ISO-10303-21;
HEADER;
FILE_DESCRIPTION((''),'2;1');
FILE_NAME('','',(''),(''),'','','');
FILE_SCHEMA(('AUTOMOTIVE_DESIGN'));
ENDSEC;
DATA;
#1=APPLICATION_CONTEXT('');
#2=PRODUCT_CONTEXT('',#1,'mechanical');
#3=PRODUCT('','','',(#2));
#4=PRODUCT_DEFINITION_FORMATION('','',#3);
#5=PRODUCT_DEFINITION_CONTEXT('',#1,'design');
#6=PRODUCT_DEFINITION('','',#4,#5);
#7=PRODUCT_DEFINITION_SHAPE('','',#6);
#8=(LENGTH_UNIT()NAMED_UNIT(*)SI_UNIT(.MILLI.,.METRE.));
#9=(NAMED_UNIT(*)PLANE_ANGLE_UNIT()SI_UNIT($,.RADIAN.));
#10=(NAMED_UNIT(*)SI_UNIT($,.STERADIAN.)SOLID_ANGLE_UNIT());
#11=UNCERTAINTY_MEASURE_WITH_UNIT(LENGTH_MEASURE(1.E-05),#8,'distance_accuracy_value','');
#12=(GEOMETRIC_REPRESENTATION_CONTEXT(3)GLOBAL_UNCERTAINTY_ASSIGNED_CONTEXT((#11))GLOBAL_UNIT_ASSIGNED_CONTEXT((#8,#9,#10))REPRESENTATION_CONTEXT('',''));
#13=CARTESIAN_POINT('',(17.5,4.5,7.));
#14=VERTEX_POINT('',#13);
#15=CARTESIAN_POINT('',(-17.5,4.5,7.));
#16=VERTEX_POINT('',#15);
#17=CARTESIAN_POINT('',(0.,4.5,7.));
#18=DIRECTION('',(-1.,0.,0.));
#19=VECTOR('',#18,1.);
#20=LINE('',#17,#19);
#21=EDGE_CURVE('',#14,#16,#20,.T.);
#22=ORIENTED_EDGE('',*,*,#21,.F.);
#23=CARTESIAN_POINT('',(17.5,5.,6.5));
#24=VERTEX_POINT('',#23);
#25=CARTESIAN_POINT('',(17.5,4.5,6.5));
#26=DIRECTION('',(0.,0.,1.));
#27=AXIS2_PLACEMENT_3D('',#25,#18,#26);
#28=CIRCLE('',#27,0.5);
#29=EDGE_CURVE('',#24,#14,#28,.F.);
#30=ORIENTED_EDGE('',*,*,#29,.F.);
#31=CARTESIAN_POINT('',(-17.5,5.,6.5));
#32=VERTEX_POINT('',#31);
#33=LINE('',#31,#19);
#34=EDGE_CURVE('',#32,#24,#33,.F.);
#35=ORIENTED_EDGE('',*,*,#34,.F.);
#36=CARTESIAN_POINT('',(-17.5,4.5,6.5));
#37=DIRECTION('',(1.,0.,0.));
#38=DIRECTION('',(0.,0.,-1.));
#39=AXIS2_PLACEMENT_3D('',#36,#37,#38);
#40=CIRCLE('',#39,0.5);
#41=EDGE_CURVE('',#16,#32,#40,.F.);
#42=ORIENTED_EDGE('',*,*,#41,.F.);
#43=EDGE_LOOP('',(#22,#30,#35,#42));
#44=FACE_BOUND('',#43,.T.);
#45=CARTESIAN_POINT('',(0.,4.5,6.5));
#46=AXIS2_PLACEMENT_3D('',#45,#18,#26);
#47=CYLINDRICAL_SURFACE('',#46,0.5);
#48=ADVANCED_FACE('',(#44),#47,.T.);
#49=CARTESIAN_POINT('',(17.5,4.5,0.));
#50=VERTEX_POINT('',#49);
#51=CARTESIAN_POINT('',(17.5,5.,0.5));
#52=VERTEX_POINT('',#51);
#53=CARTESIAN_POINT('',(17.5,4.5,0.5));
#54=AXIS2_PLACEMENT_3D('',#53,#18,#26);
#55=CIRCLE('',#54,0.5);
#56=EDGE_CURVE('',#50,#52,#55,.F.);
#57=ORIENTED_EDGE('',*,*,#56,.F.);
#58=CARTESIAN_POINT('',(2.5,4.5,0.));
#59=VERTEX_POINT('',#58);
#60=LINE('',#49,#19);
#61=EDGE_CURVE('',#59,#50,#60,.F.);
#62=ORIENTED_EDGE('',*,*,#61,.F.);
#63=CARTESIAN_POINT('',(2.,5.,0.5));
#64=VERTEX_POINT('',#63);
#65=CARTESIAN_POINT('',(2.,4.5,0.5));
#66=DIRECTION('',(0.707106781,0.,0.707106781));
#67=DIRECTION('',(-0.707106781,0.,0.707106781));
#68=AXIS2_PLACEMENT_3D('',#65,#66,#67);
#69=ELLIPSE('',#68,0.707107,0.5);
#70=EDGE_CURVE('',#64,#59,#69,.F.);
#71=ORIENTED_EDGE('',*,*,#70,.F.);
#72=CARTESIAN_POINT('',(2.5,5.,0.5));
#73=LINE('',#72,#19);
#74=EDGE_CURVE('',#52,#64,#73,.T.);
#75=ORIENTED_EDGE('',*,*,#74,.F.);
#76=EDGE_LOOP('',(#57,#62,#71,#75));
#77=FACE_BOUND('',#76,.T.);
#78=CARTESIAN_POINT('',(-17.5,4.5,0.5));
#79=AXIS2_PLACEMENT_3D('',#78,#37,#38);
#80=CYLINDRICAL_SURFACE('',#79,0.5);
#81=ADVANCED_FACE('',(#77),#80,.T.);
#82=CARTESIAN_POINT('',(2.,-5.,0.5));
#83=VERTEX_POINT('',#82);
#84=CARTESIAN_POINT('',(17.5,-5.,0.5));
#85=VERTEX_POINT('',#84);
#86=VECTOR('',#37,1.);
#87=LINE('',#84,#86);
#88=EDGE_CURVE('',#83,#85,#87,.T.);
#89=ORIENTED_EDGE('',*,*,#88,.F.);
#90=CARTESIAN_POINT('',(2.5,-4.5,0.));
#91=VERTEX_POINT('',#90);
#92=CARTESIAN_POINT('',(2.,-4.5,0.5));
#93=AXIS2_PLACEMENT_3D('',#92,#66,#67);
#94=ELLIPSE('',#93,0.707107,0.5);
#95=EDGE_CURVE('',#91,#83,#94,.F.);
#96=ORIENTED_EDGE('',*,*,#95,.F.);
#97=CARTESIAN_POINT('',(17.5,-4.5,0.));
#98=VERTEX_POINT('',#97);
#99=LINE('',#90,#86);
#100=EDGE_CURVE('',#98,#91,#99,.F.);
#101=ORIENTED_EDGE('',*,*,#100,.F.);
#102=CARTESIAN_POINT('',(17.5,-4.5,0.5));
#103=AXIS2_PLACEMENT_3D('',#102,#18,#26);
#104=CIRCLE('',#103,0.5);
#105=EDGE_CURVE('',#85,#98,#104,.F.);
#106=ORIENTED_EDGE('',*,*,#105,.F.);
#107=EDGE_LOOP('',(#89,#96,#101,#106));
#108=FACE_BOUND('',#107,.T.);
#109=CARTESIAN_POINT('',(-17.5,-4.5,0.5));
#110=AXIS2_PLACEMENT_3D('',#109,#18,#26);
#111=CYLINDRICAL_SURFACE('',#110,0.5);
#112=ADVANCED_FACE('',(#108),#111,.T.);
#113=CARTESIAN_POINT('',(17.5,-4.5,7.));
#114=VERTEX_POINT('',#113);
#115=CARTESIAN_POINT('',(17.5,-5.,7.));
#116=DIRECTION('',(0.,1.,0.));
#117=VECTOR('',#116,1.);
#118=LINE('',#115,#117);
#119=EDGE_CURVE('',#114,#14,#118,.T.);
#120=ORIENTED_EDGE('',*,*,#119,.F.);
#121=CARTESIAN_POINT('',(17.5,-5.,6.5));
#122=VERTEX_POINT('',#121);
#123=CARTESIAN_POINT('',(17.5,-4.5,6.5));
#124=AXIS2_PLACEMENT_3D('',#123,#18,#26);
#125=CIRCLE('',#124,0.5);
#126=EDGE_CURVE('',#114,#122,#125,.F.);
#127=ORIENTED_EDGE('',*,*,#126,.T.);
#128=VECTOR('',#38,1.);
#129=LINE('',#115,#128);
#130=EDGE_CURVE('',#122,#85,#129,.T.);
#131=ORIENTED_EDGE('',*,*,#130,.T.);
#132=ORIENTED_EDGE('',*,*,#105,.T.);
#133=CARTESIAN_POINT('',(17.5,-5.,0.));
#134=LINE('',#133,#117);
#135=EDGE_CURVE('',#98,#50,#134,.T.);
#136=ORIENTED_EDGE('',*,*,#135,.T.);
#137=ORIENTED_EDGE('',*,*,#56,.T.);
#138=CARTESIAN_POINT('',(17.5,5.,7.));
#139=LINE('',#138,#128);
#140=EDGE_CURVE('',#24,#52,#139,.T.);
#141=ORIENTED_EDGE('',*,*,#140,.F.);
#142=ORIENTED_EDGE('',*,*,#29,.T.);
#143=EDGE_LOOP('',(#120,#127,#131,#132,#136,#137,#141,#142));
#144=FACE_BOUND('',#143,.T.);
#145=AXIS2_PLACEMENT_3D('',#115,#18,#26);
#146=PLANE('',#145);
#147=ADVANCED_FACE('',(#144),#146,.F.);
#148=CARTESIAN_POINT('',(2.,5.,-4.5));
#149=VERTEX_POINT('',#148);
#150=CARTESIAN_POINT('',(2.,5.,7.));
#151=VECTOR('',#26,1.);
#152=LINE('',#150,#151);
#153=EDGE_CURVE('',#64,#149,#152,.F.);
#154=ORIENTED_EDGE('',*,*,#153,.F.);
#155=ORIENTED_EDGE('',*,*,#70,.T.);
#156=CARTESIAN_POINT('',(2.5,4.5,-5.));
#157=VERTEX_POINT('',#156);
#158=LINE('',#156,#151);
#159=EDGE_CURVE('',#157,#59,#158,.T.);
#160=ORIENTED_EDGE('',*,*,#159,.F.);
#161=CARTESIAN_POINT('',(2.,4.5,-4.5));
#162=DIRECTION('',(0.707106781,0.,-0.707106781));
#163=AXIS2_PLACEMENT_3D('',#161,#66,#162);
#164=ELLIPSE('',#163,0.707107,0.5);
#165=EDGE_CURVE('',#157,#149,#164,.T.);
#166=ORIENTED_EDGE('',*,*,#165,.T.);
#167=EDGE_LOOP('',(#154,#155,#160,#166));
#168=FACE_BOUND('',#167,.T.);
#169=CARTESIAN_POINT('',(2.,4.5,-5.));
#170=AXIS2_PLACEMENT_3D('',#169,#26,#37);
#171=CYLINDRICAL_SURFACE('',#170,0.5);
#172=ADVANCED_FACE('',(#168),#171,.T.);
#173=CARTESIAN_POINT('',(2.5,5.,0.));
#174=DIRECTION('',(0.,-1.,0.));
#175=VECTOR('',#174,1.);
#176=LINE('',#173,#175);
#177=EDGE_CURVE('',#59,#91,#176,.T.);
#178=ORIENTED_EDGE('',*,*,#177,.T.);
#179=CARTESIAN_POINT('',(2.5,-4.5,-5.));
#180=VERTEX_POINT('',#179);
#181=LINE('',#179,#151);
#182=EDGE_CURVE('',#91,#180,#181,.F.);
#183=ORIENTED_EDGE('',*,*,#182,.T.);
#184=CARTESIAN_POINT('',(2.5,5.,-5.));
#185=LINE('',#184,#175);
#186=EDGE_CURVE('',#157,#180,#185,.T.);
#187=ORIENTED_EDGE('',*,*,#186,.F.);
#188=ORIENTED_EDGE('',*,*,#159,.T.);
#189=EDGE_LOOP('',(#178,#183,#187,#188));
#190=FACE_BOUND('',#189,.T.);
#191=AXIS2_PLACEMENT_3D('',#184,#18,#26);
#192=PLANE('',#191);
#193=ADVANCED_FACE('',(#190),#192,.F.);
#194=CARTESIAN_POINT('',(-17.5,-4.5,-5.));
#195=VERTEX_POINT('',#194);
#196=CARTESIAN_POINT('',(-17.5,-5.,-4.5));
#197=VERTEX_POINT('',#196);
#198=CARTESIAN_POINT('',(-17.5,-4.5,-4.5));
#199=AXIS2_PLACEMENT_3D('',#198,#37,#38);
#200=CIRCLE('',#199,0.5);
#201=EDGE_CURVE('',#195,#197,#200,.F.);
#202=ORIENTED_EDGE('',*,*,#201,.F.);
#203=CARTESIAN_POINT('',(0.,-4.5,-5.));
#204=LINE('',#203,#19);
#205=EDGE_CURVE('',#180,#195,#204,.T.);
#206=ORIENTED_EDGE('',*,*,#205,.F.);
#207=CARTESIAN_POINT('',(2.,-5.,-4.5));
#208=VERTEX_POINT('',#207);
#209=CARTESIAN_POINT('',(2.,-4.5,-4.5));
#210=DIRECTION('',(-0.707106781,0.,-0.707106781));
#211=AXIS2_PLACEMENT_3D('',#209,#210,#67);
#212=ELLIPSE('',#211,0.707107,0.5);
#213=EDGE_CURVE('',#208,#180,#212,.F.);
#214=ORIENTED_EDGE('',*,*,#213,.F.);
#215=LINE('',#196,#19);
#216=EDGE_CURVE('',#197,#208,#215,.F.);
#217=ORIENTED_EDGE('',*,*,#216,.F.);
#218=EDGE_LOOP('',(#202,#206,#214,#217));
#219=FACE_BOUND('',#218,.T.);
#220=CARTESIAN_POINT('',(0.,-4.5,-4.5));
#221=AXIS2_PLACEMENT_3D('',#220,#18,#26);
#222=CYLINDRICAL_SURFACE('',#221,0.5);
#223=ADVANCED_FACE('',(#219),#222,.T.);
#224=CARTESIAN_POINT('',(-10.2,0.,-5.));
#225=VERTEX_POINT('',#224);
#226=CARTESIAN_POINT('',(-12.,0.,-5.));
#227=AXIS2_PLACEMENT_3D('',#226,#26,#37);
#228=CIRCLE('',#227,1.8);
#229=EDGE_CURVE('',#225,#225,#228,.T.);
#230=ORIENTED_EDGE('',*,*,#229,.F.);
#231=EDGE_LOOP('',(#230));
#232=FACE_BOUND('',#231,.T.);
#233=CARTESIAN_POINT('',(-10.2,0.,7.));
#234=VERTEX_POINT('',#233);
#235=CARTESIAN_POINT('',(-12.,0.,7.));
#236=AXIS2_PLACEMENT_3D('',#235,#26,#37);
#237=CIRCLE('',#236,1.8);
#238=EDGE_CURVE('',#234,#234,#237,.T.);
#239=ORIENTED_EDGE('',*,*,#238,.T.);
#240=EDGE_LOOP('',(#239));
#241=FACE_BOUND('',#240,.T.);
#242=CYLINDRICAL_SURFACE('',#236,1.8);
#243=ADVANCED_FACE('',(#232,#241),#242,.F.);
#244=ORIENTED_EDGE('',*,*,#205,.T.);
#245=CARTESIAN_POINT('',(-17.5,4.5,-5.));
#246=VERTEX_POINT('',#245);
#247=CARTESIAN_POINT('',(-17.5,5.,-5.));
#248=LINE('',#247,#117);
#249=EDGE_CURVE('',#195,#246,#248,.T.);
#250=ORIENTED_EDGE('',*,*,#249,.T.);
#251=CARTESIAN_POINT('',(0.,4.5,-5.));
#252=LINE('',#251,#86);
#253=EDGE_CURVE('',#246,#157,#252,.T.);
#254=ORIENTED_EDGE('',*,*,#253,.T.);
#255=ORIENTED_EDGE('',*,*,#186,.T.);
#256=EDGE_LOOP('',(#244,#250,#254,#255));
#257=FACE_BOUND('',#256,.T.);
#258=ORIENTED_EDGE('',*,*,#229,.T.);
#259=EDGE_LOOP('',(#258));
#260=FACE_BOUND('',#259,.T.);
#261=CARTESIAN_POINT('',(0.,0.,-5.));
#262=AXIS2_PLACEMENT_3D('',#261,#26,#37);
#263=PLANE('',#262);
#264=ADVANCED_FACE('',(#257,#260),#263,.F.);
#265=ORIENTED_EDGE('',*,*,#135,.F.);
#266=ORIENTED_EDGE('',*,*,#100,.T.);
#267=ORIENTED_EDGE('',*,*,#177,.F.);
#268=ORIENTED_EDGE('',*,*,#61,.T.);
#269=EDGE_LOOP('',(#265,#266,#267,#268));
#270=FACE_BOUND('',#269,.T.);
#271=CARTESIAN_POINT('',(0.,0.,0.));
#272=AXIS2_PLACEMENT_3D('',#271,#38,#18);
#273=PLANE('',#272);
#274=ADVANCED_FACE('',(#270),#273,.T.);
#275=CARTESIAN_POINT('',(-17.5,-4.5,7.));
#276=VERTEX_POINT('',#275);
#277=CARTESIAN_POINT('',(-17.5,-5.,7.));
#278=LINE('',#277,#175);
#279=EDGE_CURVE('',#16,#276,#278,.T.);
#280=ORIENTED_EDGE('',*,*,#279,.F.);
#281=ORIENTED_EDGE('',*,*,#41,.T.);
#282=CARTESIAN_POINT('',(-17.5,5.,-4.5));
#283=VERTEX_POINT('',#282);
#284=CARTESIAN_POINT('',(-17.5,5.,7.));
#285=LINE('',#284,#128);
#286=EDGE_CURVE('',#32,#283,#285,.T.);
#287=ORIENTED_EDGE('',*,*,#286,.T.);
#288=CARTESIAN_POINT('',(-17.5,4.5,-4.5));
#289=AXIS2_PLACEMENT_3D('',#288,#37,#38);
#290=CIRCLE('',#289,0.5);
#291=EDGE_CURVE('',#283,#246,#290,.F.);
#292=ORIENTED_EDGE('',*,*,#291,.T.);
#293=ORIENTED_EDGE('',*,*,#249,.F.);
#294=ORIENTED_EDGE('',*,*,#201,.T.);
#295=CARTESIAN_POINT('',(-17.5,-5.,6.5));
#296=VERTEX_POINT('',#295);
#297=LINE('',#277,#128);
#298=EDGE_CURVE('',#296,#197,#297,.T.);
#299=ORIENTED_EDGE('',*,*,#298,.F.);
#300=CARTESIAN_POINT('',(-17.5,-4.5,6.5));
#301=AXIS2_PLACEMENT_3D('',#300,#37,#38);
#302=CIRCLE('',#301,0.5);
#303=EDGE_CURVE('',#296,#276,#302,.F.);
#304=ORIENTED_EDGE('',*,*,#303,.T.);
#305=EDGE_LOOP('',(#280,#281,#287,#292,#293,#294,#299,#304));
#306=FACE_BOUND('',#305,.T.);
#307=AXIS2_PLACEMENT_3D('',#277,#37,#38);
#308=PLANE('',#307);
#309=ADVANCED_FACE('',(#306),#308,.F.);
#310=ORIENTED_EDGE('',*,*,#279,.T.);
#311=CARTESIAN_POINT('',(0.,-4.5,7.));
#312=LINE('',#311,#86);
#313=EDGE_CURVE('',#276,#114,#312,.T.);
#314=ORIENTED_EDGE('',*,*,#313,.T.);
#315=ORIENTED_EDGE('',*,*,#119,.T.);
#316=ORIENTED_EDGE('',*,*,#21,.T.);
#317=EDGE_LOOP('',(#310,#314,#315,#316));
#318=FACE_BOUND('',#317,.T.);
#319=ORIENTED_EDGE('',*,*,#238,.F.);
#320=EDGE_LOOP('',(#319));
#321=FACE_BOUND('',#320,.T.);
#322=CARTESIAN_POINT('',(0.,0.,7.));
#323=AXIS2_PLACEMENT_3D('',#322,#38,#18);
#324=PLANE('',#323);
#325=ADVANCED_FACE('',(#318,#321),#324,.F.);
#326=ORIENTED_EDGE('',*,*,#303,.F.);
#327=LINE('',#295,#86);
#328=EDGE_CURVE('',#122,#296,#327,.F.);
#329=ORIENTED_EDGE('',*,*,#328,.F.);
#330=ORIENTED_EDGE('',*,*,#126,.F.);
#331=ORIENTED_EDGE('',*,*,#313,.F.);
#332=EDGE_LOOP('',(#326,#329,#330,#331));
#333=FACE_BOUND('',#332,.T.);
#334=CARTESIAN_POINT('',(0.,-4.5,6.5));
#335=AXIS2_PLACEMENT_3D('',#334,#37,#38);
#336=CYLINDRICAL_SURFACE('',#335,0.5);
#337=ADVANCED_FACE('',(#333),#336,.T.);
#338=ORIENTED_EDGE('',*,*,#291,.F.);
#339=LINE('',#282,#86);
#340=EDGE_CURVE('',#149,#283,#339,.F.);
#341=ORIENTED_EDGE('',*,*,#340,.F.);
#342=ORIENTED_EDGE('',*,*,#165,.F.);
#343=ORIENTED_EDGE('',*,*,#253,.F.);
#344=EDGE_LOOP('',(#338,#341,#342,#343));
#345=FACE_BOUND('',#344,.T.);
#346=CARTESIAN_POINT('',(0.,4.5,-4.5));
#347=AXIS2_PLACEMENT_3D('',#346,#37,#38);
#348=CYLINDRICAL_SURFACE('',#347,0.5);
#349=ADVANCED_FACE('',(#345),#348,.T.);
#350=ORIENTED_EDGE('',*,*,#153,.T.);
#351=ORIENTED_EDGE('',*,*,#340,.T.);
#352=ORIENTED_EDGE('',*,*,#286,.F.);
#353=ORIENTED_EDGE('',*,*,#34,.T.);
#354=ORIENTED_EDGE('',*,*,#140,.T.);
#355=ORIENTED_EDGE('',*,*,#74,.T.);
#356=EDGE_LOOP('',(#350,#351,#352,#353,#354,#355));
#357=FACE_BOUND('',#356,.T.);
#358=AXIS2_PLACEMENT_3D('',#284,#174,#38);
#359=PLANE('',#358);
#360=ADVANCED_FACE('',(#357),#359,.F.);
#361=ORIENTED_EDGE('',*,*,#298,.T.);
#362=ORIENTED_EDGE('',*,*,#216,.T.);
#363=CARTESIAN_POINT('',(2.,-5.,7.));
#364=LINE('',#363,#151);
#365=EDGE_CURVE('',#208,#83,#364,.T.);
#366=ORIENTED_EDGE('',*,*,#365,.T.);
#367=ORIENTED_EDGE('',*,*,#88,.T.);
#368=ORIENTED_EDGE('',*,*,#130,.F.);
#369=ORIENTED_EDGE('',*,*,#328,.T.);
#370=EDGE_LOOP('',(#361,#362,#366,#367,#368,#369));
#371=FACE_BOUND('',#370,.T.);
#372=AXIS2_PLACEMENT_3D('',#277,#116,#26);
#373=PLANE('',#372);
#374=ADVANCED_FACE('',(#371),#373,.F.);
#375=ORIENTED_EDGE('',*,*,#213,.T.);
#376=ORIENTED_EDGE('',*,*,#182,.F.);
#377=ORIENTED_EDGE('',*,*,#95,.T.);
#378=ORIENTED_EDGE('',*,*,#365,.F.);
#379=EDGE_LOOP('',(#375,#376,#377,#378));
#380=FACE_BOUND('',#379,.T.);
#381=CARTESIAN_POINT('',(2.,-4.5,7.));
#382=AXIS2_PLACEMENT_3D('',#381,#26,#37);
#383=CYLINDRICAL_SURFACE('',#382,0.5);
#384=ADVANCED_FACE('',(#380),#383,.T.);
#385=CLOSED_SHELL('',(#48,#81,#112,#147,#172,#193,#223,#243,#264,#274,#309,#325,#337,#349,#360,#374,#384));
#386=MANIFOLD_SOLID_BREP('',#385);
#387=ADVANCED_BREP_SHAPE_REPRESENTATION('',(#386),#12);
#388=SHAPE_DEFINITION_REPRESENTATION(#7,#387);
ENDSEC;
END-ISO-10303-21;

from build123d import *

# Parameters (mm, degrees)
SKETCH1_W                  = 35
SKETCH1_H                  = 10
BOSS_EXTRUDE1_DEPTH        = 7
SKETCH2_W                  = 20
SKETCH2_H                  = 10
BOSS_EXTRUDE2_DEPTH        = 5
FILLET1_R                  = 0.5
F_3_6_3_6_DIAMETER_HOLE1_D = 3.6


with BuildPart() as part:
    # Sketch1 → Boss-Extrude1 (new body)
    with BuildSketch(Plane.XY):
        Rectangle(SKETCH1_W, SKETCH1_H)
    extrude(amount=BOSS_EXTRUDE1_DEPTH)

    # Sketch2 → Boss-Extrude2 (add)
    with BuildSketch(Plane(origin=(0, 0, 0), x_dir=(-1, 0, 0), z_dir=(0, 0, -1))):
        with Locations((7.5, 0)):
            Rectangle(SKETCH2_W, SKETCH2_H)
    extrude(amount=BOSS_EXTRUDE2_DEPTH)

    # Fillet1
    fillet1_edges = [part.edges().sort_by_distance(p)[0] for p in [
        (10, -5, 0),
        (2.5, 5, -2.5),
        (2.5, -5, -2.5),
        (0, -5, 7),
        (-7.5, 5, -5),
        (-7.5, -5, -5),
        (10, 5, 0),
        (0, 5, 7),
    ]]
    fillet(fillet1_edges, radius=FILLET1_R)

    # Ø3.6 (3.6) Diameter Hole1 (through all)
    with Locations(Plane(origin=(-12, 0, 7), x_dir=(1, 0, 0), z_dir=(0, 0, 1))):
        with Locations((0, 0)):
            Hole(F_3_6_3_6_DIAMETER_HOLE1_D / 2)


solid = part.part
